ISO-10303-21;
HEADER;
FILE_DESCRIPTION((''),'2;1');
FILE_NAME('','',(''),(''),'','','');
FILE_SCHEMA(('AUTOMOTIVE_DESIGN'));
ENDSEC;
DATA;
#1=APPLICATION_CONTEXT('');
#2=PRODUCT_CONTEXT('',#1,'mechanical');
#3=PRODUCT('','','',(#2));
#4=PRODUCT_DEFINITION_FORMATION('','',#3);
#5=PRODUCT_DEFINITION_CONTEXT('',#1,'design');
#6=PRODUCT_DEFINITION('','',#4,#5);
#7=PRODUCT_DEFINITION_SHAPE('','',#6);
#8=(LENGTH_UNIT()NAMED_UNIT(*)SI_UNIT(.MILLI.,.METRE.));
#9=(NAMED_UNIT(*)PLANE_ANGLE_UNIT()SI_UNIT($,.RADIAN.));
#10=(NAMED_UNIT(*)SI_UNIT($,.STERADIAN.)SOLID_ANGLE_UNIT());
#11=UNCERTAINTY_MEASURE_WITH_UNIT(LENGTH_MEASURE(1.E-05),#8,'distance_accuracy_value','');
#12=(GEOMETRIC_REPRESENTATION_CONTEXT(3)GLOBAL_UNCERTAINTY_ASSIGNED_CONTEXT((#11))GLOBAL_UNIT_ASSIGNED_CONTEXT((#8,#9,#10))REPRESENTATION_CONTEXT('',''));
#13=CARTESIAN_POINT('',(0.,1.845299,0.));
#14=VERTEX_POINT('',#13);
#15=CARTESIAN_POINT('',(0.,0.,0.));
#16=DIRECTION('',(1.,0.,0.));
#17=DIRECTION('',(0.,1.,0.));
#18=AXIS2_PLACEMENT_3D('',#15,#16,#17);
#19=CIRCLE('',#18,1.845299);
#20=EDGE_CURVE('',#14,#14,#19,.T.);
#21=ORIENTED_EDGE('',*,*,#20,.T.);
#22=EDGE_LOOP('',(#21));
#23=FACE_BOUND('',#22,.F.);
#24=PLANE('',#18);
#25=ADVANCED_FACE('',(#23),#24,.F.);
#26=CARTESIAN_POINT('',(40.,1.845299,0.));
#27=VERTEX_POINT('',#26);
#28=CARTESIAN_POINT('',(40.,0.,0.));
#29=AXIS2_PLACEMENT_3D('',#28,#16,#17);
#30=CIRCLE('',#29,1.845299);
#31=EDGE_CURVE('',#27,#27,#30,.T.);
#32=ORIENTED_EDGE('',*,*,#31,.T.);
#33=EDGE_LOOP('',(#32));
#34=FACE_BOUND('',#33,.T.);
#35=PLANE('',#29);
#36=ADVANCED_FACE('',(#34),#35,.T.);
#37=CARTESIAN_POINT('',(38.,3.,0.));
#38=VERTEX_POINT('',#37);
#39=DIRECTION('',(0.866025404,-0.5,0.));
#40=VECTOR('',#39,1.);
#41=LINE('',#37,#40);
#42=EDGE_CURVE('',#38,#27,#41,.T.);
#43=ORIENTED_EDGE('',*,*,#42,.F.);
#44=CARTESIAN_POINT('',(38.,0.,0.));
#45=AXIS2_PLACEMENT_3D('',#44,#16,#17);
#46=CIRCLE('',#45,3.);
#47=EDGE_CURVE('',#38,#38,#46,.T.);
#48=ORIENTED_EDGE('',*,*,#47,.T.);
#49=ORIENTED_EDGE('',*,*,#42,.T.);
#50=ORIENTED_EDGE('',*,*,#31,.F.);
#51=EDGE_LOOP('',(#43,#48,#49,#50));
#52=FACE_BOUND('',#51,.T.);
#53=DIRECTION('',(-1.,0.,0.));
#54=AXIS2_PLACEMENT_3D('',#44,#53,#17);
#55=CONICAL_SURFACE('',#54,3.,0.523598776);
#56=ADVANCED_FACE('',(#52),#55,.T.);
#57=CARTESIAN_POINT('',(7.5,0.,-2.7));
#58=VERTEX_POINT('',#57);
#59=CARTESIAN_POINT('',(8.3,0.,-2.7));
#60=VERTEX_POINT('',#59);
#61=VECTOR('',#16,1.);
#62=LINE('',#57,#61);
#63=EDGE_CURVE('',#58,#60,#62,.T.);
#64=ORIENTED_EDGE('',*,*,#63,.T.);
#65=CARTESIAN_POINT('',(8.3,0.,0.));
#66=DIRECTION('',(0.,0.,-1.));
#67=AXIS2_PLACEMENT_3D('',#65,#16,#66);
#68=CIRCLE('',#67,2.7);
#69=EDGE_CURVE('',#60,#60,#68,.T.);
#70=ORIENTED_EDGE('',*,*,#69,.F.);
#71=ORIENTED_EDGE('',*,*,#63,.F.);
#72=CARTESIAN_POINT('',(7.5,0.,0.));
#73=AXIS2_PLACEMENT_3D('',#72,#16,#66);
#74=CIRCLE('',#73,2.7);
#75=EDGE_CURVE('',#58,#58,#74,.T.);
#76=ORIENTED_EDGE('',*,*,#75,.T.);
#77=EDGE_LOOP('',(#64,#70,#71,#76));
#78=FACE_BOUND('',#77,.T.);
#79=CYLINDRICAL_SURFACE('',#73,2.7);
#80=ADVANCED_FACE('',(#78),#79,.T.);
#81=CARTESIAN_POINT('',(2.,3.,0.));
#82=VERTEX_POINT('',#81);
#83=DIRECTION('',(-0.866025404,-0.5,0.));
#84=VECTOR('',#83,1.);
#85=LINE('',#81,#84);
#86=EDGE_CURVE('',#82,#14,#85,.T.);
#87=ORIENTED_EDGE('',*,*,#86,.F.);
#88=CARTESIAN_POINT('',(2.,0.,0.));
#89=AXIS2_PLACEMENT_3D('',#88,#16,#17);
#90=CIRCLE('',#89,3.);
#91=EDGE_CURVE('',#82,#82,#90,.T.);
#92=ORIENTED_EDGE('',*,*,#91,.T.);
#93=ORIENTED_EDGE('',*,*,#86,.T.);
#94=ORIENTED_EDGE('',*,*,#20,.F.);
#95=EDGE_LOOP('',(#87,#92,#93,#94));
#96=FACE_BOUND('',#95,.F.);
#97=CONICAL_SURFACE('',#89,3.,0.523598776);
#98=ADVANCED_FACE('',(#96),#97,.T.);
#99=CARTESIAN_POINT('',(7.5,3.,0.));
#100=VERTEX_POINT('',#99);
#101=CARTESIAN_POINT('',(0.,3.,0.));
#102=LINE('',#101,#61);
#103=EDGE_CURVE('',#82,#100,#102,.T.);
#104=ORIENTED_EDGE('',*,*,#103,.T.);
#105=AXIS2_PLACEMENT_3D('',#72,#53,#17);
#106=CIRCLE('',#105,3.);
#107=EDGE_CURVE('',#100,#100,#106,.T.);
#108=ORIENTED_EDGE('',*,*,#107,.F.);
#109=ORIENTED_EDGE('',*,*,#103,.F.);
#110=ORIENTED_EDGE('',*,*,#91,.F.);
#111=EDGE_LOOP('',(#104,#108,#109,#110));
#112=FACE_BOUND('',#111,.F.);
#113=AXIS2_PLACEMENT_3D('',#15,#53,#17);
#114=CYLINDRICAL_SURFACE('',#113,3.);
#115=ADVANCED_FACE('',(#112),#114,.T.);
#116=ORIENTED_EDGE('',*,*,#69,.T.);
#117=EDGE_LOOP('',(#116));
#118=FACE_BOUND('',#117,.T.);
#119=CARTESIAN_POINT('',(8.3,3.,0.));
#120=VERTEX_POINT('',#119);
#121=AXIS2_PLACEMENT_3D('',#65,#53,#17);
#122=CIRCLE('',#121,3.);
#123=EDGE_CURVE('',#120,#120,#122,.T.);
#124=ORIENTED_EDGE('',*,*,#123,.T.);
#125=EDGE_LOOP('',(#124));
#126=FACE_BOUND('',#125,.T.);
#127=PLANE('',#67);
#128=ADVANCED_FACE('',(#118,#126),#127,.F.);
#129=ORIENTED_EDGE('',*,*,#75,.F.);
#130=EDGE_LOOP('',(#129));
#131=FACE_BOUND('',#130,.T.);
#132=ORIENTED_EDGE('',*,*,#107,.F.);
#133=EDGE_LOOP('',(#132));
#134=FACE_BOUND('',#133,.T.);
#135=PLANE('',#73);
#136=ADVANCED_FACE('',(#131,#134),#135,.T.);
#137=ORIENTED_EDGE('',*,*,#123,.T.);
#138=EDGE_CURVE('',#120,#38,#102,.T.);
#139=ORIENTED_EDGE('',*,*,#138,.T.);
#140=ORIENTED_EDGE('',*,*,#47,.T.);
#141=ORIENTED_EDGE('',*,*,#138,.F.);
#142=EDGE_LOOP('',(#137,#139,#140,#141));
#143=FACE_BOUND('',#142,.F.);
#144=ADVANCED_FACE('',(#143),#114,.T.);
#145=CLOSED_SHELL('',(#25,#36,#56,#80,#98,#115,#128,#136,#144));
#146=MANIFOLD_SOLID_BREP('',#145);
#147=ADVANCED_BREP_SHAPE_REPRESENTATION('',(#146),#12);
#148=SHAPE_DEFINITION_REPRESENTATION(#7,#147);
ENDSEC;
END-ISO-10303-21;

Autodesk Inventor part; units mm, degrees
ref_plane "YZ Plane" through (0, 0, 0) normal (1, 0, 0) x (0, 1, 0)
ref_plane "XZ Plane" through (0, 0, 0) normal (0, 1, 0) x (-1, 0, 0)
ref_plane "XY Plane" through (0, 0, 0) normal (0, 0, 1) x (1, 0, 0)
sketch "Эскиз" plane through (0, 0, 0) normal (1, 0, 0) x (0, 1, 0)
  circle A0 centre (0, 0) radius 3
  dimension "d1" = 6
extrude "Базовый элемент" add sketch "Эскиз" along normal blind 40
chamfer "Фаска1" distance 2 angle 30 1 edges at (0, -3, 0) measured on face at (26.6667, 2.9612, -0.4812)
chamfer "Эскиз2" distance 2 angle 30 1 edges at (40, -3, 0) measured on face at (27.3333, 2.9903, -0.2414)
sketch "Эскиз3" plane through (0, 0, 0) normal (0, 1, 0) x (-1, 0, 0)
  line L0 (0, 1.8453) -> (0, -1.8453) construction
  line L1 (-40, -1.8453) -> (-40, 1.8453) construction
  line L2 (-2, -3) -> (-38, -3) construction
  line L3 (8, 0) -> (-48, 0) construction
  line L4 (0, -4.2) -> (0, 4.2) construction
  line L5 (-7.5, 9) -> (-32.5, 9) construction
  line L6 (-32.5, 9) -> (-32.5, -9) construction
  line L7 (-32.5, -9) -> (-7.5, -9) construction
  line L8 (-7.5, -9) -> (-7.5, 9) construction
  line L9 (-7.5, -2.7) -> (-8.3, -2.7)
  line L10 (-8.3, -2.7) -> (-8.3, -7)
  line L11 (-8.3, -7) -> (-7.5, -7)
  line L12 (-7.5, -7) -> (-7.5, -2.7)
  point P0 (0, 0)
  dimension "d17" = 25
  dimension "d18" = 7.5
  dimension "d19" = 18
  dimension "d20" = 9
  dimension "d21" = 0.8
  dimension "d22" = 2.7
  dimension "d23" = 7
revolve "Вращение1" cut sketch "Эскиз3" angle 360 about axis through (-10, 0, 0) along (1, 0, 0)
equation "\"d1\" = NND"
equation "\"d2\" = NLG"
equation "\"d8\" = PHH"
equation "\"d9\" = FAWI"
equation "\"d12\" = PHH"
equation "\"d4\" = PHH"
equation "\"d5\" = FAWI"
equation "\"d11\" = PHH"
equation "\"NND\" = 6"
equation "\"NLG\" = 40"
equation "\"PHH\" = 2"
equation "\"FAWI\" = 30deg"
equation "\"DIST1\" = 3.2"
equation "\"DIST2\" = DIST1"
equation "\"BOR1\" = 1.6"
equation "\"FAWI2\" = 30deg"
equation "\"BOR2\" = BOR1"
equation "\"PHH2\" = PHH"
properties part number "ISO 2340 - A - 6 x 40" material "Сталь"
